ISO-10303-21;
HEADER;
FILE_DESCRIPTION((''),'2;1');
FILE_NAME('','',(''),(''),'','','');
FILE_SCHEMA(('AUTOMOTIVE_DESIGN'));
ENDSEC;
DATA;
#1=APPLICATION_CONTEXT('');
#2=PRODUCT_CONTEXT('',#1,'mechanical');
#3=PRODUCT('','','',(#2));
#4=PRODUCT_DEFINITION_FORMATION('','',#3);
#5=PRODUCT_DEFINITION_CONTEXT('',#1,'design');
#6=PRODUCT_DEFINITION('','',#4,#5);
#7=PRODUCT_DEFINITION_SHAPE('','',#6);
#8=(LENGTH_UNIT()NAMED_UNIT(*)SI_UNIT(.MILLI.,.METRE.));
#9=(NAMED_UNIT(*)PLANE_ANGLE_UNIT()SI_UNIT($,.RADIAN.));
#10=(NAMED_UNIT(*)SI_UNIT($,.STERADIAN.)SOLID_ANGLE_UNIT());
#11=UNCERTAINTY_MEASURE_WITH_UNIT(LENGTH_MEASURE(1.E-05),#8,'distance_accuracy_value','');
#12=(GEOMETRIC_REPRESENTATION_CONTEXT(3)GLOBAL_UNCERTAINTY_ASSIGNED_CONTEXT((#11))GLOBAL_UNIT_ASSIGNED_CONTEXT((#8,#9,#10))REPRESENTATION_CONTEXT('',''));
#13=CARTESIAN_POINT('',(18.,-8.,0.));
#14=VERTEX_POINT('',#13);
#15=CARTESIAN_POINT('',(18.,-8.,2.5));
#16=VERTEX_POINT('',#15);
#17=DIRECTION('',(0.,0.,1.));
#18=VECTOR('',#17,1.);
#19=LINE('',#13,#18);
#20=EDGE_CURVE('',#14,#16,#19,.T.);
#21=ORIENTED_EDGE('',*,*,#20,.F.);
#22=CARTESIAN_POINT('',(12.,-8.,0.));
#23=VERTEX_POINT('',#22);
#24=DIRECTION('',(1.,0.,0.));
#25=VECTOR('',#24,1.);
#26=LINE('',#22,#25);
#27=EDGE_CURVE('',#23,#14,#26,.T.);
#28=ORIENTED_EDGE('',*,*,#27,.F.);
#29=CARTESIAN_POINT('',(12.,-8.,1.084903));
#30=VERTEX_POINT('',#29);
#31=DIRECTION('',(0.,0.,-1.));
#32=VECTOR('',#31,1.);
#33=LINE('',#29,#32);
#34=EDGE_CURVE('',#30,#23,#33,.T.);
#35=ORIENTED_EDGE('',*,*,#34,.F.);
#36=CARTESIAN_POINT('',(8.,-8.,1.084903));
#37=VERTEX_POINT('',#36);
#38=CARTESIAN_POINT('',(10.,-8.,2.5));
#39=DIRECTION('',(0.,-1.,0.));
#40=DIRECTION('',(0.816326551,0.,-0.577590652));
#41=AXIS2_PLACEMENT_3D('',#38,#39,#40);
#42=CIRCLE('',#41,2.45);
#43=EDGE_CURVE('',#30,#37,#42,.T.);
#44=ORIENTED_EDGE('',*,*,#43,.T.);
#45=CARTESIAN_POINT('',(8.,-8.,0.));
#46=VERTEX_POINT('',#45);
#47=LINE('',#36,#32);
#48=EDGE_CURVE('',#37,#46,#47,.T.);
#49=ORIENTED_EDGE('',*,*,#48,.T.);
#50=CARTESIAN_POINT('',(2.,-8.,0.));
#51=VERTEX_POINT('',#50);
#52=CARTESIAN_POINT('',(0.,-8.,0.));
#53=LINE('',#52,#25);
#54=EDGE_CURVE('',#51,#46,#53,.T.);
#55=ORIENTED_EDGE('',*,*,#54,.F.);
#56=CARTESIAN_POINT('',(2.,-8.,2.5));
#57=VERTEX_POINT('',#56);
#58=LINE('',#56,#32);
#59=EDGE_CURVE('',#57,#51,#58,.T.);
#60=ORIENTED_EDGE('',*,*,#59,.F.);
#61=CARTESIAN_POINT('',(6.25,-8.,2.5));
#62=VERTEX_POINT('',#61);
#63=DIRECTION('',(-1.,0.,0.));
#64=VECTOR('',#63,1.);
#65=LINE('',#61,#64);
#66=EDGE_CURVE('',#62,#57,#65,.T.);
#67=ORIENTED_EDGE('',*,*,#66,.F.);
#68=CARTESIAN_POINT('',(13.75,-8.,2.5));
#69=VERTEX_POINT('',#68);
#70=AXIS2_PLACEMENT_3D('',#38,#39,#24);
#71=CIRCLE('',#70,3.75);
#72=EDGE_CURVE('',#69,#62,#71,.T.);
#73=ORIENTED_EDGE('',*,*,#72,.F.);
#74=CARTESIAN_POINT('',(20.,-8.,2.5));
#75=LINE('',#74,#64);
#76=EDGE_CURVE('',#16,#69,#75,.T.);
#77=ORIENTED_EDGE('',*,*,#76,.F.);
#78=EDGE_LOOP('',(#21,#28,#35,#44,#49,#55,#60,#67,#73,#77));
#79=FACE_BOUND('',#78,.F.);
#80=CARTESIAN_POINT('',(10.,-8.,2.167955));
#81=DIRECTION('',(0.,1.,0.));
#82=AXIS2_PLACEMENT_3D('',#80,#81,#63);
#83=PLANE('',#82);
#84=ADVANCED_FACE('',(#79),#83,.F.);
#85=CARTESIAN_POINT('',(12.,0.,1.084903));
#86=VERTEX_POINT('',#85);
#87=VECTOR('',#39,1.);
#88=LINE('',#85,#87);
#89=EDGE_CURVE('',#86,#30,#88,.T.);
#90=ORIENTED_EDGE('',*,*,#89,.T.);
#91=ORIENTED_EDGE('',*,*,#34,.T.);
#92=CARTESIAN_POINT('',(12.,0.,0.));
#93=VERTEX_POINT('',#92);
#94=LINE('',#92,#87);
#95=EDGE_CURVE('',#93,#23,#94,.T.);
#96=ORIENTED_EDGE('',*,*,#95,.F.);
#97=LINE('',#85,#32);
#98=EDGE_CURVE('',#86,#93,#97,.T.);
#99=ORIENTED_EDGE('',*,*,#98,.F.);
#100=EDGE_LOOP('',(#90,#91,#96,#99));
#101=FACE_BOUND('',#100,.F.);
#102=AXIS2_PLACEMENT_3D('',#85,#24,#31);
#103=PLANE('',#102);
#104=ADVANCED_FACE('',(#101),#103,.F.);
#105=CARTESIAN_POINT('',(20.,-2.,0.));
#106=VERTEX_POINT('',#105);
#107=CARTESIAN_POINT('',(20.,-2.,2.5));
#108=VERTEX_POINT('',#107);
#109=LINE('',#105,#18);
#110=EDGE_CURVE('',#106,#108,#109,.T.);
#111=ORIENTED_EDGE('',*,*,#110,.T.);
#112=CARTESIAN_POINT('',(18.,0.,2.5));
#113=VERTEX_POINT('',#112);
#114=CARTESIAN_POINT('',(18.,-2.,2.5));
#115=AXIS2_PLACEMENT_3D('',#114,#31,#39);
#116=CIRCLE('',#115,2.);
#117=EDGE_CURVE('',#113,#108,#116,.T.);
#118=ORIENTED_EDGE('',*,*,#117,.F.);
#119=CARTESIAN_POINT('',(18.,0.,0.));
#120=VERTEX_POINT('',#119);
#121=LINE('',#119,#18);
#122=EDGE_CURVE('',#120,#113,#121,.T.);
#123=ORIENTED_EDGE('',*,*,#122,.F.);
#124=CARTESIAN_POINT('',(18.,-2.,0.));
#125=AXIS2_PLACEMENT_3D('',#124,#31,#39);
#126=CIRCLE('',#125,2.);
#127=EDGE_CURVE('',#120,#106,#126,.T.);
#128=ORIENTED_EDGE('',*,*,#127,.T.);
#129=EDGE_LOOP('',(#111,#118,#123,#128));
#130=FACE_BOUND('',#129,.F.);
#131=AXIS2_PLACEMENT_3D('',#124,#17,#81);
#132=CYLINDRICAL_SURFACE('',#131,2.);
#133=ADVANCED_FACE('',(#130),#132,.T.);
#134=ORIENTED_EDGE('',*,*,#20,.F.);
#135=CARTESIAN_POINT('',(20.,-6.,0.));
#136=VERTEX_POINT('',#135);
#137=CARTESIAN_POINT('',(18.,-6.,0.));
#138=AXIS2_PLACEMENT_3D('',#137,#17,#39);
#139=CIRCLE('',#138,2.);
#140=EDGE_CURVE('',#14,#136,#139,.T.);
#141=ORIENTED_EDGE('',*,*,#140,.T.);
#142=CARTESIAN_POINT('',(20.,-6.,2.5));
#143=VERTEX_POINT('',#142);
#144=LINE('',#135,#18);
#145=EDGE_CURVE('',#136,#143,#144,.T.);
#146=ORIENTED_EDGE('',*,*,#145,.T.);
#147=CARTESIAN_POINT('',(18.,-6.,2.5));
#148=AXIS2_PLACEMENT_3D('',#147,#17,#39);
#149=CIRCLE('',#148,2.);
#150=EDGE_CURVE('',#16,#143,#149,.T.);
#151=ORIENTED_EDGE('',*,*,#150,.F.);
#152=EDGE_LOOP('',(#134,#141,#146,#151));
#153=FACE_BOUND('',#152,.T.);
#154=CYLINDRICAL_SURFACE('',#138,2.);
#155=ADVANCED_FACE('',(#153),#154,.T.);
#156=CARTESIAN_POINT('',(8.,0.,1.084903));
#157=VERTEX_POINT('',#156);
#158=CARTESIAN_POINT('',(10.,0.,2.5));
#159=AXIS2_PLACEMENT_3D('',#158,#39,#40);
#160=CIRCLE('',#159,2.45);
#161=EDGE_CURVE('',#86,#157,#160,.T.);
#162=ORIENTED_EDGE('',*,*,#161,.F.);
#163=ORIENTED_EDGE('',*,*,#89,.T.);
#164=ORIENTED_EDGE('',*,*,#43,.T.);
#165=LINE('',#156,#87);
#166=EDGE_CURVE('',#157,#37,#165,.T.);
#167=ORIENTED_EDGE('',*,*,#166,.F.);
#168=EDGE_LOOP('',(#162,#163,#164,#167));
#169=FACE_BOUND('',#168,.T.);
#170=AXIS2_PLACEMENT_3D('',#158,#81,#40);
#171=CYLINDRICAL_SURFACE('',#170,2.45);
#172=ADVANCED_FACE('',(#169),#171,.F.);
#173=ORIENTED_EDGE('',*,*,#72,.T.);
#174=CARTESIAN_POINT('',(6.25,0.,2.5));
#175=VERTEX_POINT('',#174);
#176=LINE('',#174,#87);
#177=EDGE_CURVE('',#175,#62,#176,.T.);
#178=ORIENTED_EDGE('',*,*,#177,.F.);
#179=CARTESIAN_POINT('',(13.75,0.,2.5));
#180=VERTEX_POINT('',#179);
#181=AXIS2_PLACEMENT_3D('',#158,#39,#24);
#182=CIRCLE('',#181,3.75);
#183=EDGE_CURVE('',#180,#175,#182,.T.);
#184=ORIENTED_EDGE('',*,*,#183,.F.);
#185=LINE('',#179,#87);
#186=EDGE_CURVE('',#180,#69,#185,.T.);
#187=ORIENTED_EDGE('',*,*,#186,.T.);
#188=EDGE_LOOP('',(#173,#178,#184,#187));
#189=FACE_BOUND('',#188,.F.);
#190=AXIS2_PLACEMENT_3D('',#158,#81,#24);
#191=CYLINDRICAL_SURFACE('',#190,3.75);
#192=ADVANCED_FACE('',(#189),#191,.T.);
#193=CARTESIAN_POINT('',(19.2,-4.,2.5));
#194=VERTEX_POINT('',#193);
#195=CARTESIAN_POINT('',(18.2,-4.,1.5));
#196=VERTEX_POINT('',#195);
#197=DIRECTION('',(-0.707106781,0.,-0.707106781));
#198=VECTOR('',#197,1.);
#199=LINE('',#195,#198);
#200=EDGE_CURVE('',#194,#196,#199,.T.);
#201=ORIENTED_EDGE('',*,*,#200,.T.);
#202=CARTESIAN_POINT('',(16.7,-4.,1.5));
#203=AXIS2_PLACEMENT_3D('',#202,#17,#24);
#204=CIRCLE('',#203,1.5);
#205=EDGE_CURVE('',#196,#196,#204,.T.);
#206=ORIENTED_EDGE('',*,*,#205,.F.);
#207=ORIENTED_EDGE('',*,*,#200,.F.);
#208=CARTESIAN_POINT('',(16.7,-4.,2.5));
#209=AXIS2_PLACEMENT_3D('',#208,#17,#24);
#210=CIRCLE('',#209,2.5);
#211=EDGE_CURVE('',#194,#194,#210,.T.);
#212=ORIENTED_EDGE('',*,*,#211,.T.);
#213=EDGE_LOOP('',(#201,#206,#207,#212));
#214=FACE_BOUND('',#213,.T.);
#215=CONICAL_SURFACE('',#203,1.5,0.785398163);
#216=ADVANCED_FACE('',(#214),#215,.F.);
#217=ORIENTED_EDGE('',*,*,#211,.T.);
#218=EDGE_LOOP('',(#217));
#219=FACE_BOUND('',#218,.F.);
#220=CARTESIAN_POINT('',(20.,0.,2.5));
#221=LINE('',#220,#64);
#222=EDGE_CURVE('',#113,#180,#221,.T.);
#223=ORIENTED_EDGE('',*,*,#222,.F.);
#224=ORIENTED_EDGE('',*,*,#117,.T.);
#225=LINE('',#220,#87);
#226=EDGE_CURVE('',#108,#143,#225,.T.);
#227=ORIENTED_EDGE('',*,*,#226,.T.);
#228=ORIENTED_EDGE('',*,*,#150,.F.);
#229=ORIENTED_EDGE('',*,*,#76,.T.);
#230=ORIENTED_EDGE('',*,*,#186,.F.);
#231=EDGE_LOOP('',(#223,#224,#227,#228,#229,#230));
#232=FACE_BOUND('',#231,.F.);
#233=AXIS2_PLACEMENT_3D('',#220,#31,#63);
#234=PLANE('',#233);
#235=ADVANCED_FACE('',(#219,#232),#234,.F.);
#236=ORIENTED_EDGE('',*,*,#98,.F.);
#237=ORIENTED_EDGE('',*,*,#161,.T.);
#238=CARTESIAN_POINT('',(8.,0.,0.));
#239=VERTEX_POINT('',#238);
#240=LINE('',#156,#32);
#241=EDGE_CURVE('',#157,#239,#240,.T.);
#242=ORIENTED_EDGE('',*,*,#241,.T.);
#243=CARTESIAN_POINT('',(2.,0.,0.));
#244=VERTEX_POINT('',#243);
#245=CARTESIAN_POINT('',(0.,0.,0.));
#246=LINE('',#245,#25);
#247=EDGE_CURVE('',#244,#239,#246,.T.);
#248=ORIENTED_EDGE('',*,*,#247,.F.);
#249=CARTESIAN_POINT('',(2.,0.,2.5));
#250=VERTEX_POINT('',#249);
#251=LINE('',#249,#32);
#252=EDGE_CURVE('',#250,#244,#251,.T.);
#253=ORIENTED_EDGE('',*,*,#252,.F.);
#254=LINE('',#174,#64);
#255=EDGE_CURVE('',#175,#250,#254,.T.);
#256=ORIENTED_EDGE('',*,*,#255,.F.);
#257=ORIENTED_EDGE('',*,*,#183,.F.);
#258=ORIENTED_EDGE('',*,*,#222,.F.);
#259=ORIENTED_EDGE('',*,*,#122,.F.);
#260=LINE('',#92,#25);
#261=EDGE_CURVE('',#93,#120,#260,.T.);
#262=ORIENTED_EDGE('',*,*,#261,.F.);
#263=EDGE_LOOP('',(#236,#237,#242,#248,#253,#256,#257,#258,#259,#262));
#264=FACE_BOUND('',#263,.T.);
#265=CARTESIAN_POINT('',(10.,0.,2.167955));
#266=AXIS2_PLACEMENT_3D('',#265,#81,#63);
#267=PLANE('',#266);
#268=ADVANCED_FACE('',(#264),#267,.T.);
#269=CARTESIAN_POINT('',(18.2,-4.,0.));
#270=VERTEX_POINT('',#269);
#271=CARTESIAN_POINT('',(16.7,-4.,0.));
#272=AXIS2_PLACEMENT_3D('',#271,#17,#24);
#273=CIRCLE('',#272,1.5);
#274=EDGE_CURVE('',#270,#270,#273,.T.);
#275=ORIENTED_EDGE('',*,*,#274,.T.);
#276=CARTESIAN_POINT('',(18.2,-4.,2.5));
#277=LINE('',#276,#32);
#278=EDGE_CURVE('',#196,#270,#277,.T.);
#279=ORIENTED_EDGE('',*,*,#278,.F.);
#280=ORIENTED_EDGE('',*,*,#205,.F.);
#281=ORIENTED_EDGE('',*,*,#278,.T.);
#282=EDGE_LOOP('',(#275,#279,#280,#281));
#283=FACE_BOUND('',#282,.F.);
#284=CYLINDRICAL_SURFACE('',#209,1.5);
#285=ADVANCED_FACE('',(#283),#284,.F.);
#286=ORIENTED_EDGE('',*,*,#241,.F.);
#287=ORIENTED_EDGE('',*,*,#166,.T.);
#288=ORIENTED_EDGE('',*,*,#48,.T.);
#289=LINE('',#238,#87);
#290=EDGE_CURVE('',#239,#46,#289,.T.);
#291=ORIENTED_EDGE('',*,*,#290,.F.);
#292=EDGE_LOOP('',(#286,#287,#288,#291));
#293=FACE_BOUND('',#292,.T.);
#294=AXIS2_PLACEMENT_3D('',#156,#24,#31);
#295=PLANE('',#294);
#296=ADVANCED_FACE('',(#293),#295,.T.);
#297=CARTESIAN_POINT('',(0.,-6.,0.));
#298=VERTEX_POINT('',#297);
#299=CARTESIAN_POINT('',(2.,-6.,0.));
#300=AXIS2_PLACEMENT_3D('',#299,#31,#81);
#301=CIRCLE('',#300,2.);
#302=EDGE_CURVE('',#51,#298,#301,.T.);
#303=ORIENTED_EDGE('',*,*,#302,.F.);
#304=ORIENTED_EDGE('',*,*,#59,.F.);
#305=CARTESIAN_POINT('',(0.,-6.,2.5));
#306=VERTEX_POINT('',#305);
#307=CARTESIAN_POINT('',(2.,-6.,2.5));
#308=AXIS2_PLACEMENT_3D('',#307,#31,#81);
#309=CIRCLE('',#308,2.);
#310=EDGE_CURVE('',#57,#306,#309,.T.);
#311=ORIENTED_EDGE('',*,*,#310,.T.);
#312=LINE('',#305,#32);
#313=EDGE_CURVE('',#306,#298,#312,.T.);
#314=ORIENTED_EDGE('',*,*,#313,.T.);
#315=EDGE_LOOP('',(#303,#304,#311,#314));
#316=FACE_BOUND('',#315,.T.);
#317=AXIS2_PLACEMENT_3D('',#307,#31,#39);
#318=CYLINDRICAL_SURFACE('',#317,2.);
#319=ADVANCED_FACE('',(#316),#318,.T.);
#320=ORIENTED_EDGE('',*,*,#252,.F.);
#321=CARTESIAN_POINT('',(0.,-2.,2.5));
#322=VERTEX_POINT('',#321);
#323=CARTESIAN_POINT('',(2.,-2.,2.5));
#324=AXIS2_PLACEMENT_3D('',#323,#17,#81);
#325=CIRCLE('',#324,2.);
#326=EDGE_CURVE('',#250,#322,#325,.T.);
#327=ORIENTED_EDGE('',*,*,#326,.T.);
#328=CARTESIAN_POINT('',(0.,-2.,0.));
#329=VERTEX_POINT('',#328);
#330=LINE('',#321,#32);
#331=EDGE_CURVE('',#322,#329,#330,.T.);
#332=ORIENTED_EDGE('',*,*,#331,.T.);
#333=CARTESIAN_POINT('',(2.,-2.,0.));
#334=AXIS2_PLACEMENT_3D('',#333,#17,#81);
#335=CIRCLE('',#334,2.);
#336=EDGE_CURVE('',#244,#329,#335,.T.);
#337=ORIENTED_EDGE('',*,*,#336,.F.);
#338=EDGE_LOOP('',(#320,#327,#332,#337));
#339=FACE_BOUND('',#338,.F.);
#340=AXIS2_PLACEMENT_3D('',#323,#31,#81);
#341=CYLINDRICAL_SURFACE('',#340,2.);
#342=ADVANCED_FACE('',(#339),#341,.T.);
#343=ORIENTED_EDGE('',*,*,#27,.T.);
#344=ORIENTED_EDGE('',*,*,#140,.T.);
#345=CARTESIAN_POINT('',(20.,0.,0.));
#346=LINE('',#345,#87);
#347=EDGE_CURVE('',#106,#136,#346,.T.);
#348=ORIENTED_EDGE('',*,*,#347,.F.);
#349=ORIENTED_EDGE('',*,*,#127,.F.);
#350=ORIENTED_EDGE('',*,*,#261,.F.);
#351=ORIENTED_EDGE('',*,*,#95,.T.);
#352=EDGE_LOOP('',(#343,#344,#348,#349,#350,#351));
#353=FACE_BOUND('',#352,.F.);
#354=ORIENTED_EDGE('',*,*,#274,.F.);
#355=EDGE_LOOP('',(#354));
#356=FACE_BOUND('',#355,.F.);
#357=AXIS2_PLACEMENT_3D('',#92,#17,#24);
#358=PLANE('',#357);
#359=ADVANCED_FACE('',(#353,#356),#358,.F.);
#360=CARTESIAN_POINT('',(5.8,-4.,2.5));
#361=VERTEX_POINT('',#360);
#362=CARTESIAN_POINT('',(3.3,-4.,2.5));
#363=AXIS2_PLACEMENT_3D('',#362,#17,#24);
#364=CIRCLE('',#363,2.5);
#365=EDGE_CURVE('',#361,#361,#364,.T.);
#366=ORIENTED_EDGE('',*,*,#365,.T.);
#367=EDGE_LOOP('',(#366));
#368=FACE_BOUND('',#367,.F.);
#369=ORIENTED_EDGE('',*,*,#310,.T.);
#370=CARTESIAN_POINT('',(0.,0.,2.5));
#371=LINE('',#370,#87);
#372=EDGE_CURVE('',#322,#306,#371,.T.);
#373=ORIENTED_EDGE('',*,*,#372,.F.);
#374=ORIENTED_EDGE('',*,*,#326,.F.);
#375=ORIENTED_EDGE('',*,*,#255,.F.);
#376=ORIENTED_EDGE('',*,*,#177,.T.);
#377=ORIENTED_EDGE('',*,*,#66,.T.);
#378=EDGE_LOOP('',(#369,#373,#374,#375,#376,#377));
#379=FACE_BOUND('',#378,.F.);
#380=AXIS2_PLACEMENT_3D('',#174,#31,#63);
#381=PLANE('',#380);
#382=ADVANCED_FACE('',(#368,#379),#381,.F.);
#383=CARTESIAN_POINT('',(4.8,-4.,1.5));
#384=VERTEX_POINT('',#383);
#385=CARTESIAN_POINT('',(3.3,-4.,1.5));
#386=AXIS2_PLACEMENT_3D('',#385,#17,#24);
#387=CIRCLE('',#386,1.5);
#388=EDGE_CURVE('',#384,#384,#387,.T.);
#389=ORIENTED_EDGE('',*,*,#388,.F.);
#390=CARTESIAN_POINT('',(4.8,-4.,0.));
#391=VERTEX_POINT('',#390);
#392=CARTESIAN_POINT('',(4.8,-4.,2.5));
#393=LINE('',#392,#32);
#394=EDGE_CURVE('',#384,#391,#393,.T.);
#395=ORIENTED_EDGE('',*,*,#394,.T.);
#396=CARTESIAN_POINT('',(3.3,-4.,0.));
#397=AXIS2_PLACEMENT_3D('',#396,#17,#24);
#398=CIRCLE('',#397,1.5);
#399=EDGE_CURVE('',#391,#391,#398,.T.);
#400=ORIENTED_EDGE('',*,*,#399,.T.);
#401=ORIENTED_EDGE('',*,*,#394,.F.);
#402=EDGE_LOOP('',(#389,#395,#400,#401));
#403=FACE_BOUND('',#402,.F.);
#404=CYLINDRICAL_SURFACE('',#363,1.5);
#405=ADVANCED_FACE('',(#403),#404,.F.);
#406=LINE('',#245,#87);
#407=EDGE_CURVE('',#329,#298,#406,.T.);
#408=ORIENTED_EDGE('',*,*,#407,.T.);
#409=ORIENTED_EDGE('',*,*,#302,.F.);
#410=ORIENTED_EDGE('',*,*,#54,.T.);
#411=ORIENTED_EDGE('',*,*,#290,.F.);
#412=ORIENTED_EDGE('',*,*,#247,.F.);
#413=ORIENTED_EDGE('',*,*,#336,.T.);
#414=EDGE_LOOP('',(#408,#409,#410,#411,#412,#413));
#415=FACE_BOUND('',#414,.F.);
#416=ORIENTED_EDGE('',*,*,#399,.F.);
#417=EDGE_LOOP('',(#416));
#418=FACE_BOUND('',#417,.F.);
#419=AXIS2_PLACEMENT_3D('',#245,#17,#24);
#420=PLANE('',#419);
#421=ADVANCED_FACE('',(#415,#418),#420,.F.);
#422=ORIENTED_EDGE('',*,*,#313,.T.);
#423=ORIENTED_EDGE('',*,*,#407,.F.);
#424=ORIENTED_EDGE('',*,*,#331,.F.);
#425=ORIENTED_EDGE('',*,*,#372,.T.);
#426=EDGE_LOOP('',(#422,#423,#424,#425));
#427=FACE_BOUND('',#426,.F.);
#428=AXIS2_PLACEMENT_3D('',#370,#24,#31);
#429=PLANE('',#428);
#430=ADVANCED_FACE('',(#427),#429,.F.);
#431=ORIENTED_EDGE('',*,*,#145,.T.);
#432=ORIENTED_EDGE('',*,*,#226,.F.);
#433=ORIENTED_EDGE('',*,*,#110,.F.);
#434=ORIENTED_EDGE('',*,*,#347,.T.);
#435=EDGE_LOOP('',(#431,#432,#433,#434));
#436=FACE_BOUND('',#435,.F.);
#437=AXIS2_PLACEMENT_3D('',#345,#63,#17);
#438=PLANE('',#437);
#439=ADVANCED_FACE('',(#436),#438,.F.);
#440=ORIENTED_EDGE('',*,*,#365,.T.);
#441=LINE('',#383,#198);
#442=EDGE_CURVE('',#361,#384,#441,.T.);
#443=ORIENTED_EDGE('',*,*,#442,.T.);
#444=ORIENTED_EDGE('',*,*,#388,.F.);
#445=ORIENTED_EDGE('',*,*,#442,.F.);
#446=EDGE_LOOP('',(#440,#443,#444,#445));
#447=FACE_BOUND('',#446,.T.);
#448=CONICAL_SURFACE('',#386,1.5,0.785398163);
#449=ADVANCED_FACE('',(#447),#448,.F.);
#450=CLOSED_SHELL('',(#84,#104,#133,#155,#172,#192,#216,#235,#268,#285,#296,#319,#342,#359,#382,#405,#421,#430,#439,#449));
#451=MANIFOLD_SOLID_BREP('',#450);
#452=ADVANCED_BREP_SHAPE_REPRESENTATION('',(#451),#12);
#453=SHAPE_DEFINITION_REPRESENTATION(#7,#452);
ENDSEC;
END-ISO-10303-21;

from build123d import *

# Parameters (mm, degrees)
PAD_DEPTH    = 8
SKETCH001_R  = 1.5
POCKET_DEPTH = 2.501
CHAMFER_SIZE = 1
FILLET_R     = 2


with BuildPart() as part:
    # Sketch → Pad (new body)
    with BuildSketch(Plane.XZ):
        with BuildLine():
            ThreePointArc((12, 1.084903), (10, 4.95), (8, 1.084903))
            Line((8, 1.084903), (8, 0))
            Line((0, 0), (8, 0))
            Line((0, 2.5), (0, 0))
            Line((6.25, 2.5), (0, 2.5))
            ThreePointArc((13.75, 2.5), (10, 6.25), (6.25, 2.5))
            Line((20, 2.5), (13.75, 2.5))
            Line((20, 0), (20, 2.5))
            Line((12, 0), (20, 0))
            Line((12, 1.084903), (12, 0))
        make_face()
    extrude(amount=PAD_DEPTH)

    # Sketch001 → Pocket (cut, through all)
    with BuildSketch(Plane.XY.offset(2.5)):
        with Locations((3.3, -4)):
            Circle(SKETCH001_R)
        with Locations((16.7, -4)):
            Circle(SKETCH001_R)
    extrude(amount=-POCKET_DEPTH, mode=Mode.SUBTRACT)

    # Chamfer
    chamfer_edges = [part.edges().sort_by_distance(p)[0] for p in [
        (1.8, -4, 2.5),
        (15.2, -4, 2.5),
    ]]
    chamfer(chamfer_edges, length=CHAMFER_SIZE)

    # Fillet
    fillet_edges = [part.edges().sort_by_distance(p)[0] for p in [
        (0, -8, 1.25),
        (20, -8, 1.25),
        (20, 0, 1.25),
        (0, 0, 1.25),
    ]]
    fillet(fillet_edges, radius=FILLET_R)


solid = part.part
